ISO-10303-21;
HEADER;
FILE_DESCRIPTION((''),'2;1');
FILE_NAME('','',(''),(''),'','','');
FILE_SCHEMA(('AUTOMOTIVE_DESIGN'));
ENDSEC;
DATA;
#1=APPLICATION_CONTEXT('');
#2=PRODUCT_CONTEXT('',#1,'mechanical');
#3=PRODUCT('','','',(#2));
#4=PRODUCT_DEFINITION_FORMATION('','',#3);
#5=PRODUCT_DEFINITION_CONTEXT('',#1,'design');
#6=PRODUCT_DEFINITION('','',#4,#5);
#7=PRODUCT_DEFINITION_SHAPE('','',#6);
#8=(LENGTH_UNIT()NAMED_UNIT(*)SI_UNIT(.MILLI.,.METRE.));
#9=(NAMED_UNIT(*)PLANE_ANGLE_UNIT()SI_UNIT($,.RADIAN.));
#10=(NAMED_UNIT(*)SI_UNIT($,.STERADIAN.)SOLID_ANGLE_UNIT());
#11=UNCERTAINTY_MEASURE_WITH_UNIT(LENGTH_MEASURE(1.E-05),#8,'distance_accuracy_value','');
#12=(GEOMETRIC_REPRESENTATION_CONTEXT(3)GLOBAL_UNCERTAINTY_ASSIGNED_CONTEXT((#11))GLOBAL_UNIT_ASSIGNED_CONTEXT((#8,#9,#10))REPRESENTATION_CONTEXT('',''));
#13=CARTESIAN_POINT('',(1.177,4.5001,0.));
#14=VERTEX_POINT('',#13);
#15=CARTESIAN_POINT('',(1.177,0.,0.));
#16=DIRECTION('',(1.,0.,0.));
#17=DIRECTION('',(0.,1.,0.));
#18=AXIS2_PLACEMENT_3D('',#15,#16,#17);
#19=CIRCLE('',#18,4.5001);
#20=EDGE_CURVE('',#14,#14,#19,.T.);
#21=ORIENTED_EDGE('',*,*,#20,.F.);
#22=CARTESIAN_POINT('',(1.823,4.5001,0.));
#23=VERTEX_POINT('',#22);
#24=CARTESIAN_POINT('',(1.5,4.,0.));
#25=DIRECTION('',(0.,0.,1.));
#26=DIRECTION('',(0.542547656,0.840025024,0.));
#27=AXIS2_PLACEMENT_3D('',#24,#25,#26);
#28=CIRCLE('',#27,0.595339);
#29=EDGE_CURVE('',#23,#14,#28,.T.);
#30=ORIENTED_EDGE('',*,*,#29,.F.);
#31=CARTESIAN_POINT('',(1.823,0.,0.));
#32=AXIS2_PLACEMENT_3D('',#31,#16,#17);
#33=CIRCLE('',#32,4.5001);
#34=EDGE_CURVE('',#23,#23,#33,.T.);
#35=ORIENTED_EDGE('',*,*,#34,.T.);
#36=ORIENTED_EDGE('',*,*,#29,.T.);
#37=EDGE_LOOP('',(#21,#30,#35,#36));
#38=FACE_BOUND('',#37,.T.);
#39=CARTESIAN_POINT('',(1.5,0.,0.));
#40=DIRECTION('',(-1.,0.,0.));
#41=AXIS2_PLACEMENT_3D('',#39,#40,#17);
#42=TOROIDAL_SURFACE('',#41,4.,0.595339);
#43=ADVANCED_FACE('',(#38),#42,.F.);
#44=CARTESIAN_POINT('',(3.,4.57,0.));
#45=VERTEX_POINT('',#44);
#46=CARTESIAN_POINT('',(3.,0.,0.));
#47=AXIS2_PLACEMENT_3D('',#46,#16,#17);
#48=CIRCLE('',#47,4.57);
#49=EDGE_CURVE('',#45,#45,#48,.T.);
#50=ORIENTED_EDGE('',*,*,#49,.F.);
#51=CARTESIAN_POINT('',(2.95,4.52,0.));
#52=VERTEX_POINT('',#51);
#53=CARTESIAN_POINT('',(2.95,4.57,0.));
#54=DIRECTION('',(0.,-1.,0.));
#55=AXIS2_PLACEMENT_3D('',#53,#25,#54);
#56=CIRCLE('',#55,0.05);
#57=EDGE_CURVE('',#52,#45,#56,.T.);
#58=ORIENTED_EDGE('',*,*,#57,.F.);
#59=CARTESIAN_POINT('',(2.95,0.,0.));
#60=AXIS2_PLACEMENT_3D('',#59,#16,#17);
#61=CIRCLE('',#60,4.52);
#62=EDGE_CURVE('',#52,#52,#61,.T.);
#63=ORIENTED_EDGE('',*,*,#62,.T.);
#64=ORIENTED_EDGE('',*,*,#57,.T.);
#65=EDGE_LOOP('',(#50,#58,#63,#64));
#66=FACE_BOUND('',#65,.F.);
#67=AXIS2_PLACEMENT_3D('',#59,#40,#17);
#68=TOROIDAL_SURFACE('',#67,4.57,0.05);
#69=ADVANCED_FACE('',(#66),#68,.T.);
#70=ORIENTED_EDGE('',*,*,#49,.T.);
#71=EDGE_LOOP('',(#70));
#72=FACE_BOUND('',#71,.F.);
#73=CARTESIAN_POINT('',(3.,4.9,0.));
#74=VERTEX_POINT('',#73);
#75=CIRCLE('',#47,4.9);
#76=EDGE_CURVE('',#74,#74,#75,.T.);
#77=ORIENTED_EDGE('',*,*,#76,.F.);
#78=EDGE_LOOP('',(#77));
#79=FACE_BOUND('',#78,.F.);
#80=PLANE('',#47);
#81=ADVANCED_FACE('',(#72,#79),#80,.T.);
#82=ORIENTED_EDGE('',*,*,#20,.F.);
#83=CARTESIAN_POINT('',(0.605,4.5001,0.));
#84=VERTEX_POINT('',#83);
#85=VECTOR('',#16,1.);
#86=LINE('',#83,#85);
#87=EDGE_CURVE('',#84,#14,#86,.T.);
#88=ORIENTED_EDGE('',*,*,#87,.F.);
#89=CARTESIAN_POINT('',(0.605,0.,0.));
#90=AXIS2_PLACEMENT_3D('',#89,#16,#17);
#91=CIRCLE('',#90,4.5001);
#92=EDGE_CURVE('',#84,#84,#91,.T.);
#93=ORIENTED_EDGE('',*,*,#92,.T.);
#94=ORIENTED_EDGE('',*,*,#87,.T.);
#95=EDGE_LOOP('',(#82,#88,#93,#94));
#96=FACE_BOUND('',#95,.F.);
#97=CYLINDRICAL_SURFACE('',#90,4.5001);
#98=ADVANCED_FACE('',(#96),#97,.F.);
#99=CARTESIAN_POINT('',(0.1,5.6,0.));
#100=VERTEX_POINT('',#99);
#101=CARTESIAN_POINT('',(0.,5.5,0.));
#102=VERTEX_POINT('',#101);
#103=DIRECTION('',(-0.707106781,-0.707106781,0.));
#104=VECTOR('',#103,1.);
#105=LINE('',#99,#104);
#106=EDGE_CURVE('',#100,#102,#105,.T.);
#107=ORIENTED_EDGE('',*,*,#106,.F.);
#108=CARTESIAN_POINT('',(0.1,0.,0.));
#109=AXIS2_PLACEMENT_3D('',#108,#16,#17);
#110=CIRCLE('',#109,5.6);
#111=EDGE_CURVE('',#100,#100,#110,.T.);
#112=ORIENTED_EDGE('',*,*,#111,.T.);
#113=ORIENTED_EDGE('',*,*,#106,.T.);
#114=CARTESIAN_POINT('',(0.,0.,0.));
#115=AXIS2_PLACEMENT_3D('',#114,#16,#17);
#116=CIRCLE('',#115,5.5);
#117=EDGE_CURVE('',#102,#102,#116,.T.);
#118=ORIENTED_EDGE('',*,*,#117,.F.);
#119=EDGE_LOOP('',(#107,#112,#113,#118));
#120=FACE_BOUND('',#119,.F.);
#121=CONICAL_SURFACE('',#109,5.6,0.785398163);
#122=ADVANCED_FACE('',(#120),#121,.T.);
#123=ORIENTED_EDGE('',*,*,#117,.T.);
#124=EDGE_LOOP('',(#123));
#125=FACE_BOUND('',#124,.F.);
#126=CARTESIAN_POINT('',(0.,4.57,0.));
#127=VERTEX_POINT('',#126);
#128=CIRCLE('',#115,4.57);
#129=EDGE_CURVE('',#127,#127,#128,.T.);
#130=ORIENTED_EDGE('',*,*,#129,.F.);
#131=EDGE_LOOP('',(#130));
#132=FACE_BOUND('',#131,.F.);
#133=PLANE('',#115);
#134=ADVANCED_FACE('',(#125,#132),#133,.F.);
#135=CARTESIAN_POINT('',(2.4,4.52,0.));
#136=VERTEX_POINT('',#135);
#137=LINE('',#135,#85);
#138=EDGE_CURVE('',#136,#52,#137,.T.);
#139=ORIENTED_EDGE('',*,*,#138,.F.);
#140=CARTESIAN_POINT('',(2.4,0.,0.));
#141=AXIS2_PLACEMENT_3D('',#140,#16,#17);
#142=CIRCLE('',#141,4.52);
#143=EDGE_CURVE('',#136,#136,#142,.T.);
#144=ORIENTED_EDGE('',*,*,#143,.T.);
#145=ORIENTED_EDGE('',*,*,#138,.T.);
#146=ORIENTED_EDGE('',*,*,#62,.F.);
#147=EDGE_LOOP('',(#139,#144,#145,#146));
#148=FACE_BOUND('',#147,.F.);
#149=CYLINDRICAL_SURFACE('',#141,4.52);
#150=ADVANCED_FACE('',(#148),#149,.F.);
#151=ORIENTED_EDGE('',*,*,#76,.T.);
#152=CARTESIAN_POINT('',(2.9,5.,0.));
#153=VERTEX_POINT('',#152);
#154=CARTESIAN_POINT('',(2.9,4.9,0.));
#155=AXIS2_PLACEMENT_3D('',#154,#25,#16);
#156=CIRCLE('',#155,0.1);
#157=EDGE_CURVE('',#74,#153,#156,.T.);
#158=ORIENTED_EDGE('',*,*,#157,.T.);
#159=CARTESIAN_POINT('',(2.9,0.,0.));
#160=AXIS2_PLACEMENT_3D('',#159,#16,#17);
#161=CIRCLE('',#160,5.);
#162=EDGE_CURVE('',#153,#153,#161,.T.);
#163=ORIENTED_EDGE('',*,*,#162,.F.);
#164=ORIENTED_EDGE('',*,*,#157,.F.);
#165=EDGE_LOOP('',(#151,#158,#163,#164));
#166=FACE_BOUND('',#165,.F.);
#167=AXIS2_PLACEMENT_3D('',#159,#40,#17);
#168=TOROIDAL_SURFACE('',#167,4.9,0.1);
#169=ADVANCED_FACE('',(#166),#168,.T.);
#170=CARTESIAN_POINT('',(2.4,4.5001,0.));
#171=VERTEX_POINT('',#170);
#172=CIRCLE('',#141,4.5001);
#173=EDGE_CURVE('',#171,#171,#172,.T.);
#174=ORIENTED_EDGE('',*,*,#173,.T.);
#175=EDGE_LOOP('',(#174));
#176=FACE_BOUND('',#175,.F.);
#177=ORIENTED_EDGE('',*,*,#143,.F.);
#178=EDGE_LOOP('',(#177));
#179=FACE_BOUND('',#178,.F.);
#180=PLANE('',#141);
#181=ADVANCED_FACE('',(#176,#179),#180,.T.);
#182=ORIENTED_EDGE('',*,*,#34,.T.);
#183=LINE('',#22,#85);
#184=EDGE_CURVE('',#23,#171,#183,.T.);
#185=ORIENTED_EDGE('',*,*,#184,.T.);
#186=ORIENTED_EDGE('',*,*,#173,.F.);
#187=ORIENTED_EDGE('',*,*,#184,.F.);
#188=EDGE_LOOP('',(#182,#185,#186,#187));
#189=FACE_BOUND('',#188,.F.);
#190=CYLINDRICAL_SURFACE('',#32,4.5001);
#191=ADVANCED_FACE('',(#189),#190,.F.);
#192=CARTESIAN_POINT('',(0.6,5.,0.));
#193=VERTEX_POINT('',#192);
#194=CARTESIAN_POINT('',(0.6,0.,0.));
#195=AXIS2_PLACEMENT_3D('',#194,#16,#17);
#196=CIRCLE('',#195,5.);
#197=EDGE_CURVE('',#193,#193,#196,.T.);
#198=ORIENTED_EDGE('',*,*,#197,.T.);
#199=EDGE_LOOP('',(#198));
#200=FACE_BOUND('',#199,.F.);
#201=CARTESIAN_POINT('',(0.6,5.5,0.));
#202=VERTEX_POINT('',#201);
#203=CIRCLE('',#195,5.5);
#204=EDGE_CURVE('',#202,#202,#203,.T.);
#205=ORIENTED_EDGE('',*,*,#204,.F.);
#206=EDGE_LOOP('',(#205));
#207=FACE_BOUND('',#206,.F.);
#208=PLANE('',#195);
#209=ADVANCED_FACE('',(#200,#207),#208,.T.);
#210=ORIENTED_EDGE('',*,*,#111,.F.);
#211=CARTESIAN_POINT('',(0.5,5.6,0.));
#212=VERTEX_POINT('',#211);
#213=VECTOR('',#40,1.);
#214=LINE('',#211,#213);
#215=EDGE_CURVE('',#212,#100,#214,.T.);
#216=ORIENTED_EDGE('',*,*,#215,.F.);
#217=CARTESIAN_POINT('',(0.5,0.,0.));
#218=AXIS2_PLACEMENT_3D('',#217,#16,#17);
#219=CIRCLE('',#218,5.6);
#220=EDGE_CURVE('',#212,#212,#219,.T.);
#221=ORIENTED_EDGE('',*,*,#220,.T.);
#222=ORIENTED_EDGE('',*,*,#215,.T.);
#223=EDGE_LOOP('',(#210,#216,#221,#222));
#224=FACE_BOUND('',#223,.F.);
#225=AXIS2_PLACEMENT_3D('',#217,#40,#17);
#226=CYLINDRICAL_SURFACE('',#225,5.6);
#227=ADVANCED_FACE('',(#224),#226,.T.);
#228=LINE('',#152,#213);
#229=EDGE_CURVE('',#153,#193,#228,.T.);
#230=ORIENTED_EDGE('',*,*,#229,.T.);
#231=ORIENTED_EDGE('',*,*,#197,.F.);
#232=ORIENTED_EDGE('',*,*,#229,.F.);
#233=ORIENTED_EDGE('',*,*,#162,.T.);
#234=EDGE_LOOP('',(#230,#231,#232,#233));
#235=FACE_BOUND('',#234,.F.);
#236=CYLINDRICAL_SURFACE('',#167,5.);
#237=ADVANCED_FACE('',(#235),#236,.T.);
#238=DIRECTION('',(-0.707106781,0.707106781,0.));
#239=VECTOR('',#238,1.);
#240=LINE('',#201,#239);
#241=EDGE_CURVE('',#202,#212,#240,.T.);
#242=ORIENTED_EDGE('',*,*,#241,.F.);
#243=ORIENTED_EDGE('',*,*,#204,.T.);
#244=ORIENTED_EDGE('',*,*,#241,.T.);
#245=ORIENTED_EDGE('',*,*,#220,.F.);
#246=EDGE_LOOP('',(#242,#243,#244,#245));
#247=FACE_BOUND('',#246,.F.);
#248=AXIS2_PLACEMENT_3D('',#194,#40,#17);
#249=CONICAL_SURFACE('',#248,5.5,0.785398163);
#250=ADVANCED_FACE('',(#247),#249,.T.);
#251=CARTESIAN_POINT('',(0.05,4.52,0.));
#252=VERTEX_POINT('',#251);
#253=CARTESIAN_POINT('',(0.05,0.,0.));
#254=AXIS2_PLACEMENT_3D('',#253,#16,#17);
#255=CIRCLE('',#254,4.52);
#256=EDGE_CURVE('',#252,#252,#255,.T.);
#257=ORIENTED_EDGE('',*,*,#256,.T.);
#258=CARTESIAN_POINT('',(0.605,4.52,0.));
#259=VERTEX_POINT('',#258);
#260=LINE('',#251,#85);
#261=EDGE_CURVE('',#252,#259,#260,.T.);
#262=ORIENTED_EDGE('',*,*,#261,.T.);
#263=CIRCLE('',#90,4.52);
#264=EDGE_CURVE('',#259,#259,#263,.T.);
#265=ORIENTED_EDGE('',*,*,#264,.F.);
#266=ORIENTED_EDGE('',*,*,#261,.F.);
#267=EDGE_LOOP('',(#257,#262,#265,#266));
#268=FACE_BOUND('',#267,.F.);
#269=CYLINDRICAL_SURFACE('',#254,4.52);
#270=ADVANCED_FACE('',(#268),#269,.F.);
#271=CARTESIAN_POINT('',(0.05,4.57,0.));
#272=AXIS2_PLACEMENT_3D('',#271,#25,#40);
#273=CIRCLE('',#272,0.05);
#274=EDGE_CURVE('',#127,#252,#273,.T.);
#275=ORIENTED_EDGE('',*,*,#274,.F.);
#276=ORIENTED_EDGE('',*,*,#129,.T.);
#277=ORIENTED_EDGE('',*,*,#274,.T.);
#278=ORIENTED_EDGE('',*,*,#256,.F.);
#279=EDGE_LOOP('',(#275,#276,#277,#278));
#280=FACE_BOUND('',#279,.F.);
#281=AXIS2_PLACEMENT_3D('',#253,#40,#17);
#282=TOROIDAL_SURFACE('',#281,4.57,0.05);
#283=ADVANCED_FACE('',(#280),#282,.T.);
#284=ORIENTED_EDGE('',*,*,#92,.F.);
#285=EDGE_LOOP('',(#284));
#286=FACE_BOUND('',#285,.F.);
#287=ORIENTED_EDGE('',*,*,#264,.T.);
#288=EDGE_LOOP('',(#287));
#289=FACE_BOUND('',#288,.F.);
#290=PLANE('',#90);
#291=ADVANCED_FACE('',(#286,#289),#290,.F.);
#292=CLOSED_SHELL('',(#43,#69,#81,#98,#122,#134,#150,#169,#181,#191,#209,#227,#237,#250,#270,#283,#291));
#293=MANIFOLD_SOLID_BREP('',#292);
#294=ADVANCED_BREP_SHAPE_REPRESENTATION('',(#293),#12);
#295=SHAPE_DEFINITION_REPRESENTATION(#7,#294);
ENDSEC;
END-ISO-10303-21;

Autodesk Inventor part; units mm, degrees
sketch "Sketch_3" plane through (0, 0, 0) normal (0, 0, 1) x (1, 0, 0)
  line L0 (2.9, 0) -> (0, 0)
  line L1 (0, 5.5) -> (0, 4.57)
  arc A0 (0, 4.57) -> (0.05, 4.52) centre (0.05, 4.57) ccw
  line L2 (0.05, 4.52) -> (0.605, 4.52)
  line L3 (0.605, 4.52) -> (0.605, 4.5001)
  line L4 (0.605, 4.5001) -> (1.177, 4.5001)
  arc A1 (1.823, 4.5001) -> (1.177, 4.5001) centre (1.5, 4) ccw
  line L5 (1.823, 4.5001) -> (2.4, 4.5001)
  line L6 (2.4, 4.5001) -> (2.4, 4.52)
  line L7 (2.4, 4.52) -> (2.95, 4.52)
  arc A2 (2.95, 4.52) -> (3, 4.57) centre (2.95, 4.57) ccw
  line L8 (3, 4.57) -> (3, 4.9)
  arc A3 (3, 4.9) -> (2.9, 5) centre (2.9, 4.9) ccw
  line L9 (2.9, 5) -> (0.6, 5)
  line L10 (0.6, 5) -> (0.6, 5.5)
  line L11 (0.6, 5.5) -> (0.5, 5.6)
  line L12 (0.5, 5.6) -> (0.1, 5.6)
  line L13 (0.1, 5.6) -> (0, 5.5)
revolve "Revolution1" add sketch "Sketch_3" angle 360 about axis through (2.9, 0, 0) along (1, 0, 0)
ref_plane "1_XY" through (1.5, 0, 0) normal (1, 0, 0) x (0, 0, -1)
ref_plane "1_YZ" through (1.5, 0, 0) normal (0, 0, -1) x (0, 1, 0)
ref_plane "1_ZX" through (1.5, 0, 0) normal (0, 1, 0) x (1, 0, 0)
properties part number "LF-1060ZZ_or" material "鋼、炭素鋼"
